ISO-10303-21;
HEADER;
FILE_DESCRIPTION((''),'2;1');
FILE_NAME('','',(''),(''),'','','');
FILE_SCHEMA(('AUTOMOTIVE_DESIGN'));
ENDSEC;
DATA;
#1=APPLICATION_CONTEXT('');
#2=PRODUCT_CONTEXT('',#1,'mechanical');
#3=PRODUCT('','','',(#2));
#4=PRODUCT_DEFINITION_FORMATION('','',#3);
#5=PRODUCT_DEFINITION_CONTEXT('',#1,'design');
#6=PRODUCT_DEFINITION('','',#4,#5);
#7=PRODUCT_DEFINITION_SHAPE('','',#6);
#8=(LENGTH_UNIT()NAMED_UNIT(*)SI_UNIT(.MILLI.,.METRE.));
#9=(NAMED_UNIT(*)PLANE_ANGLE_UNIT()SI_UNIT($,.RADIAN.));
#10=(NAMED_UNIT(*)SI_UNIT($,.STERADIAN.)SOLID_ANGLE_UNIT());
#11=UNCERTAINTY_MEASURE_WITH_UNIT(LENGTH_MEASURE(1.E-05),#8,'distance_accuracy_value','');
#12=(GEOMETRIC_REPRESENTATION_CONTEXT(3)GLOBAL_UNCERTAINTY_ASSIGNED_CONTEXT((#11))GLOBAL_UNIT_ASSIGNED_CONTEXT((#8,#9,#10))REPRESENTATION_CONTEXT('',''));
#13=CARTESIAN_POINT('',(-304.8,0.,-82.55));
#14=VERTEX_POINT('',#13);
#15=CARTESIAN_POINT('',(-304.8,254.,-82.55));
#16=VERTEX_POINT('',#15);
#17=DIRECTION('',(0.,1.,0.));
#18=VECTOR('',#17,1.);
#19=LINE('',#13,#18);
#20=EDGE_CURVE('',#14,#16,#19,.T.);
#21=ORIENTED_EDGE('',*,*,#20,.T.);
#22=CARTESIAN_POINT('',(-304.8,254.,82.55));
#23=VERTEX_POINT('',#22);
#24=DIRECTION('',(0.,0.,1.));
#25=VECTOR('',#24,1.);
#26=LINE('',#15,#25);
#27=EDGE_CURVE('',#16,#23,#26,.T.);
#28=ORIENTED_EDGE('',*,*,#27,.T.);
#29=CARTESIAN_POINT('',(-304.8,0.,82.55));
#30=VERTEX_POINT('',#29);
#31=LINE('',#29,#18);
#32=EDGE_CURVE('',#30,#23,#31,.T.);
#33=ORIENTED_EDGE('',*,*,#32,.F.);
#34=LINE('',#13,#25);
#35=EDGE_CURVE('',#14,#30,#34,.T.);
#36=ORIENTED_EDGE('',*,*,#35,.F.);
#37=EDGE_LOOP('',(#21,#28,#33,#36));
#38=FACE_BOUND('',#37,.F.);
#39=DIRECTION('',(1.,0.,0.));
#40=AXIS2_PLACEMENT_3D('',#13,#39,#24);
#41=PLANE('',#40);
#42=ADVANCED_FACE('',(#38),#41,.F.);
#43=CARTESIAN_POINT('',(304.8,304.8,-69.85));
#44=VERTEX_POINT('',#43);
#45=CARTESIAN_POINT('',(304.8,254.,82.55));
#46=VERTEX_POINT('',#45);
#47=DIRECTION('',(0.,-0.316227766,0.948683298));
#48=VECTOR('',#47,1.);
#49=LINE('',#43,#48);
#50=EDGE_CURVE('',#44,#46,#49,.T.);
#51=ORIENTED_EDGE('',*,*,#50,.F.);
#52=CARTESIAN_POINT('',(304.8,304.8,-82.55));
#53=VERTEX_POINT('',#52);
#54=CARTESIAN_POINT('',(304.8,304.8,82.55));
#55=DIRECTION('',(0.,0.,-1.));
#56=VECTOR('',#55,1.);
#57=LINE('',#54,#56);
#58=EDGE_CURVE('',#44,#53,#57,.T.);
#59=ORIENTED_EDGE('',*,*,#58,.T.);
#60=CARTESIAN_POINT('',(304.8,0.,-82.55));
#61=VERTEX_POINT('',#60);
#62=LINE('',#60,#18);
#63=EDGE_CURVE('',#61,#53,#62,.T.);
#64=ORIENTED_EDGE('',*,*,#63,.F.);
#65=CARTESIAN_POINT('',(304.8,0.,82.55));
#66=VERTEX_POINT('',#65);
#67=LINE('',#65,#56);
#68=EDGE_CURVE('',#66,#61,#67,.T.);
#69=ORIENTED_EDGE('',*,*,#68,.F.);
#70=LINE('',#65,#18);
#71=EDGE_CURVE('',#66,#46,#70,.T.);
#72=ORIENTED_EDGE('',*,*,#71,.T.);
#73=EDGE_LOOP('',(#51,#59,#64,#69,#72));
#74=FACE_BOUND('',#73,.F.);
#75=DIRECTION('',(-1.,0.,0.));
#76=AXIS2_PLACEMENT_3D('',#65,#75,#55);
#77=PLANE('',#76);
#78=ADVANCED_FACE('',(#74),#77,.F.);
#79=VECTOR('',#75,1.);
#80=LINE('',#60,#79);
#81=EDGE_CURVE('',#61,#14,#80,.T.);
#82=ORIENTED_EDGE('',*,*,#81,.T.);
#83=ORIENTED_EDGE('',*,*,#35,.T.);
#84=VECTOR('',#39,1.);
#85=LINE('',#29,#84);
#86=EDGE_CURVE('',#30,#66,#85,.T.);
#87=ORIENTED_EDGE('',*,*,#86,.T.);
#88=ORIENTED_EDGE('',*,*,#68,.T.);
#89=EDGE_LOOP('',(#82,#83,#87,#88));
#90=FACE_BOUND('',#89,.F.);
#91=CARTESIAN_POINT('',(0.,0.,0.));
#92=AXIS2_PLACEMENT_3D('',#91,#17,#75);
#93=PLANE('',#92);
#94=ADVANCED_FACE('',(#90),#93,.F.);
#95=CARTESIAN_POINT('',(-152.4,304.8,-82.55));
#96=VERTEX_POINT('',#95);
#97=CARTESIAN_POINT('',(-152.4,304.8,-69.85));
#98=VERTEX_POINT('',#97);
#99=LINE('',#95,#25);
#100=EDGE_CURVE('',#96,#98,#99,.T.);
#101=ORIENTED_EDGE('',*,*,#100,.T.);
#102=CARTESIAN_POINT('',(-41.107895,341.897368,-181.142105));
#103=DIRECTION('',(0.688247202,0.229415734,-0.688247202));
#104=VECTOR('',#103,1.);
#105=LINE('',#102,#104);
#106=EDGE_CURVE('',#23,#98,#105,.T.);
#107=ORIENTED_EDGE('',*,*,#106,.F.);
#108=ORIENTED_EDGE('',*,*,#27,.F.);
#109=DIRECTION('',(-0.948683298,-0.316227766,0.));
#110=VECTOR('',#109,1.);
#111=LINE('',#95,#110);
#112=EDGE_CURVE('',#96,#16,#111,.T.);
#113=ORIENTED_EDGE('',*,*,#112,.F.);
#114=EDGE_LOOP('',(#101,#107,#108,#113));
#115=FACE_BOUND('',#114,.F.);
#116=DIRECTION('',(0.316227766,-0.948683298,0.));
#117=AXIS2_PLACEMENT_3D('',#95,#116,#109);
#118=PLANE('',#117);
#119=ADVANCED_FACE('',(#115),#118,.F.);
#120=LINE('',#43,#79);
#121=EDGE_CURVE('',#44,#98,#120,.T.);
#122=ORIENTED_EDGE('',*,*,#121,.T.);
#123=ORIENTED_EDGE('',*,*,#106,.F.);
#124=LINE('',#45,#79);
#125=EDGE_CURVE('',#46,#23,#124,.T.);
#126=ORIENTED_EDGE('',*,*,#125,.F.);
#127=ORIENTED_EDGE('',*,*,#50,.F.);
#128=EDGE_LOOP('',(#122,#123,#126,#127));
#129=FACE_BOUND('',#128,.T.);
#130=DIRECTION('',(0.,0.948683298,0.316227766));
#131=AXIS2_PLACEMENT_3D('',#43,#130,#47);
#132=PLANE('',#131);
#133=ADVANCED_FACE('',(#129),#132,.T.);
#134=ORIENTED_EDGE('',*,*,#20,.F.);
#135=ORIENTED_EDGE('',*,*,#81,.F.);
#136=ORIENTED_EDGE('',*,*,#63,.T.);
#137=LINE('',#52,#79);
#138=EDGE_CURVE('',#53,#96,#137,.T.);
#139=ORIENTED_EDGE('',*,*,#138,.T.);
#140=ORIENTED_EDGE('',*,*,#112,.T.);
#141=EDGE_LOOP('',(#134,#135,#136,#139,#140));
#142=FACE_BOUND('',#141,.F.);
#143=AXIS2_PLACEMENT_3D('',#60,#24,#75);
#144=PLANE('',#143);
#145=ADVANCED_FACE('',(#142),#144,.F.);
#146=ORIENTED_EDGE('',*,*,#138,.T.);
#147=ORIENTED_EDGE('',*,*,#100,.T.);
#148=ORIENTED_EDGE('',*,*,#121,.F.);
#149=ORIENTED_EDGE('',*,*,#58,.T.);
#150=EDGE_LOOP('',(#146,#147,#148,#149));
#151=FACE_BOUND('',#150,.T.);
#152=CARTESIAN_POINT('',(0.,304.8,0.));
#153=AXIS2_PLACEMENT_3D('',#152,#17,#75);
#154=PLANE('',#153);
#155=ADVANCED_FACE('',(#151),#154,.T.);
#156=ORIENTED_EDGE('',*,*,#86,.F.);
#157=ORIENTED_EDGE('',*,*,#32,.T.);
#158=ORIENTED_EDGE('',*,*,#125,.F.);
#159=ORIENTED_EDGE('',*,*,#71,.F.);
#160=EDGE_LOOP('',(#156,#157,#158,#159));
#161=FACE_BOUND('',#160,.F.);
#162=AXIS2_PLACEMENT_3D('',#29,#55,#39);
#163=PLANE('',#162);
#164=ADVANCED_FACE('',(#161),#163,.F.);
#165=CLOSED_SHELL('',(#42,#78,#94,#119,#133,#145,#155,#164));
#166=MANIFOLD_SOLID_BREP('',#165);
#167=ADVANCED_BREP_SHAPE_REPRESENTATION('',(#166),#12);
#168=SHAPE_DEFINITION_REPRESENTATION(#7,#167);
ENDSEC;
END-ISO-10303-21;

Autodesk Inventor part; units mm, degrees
ref_plane "YZ Plane" through (0, 0, 0) normal (1, 0, 0) x (0, 1, 0)
ref_plane "XZ Plane" through (0, 0, 0) normal (0, 1, 0) x (-1, 0, 0)
ref_plane "XY Plane" through (0, 0, 0) normal (0, 0, 1) x (1, 0, 0)
sketch "Sketch1" plane through (0, 0, 0) normal (0, 1, 0) x (-1, 0, 0)
  line L0 (-304.8, -82.55) -> (304.8, -82.55)
  line L1 (304.8, -82.55) -> (304.8, 82.55)
  line L2 (304.8, 82.55) -> (-304.8, 82.55)
  line L3 (-304.8, 82.55) -> (-304.8, -82.55)
  line L4 (-304.8, -82.55) -> (304.8, 82.55) construction
  line L5 (304.8, -82.55) -> (-304.8, 82.55) construction
  point P0 (0, 0)
  dimension "d0" = 609.6
  dimension "d1" = 165.1
extrude "Extrusion1" add sketch "Sketch1" along normal blind 304.8
sketch "Sketch2" plane through (304.8, 0, 82.55) normal (1, 0, 0) x (0, 0, -1)
  line L0 (165.1, 304.8) -> (0, 304.8) projected
  line L1 (0, 0) -> (0, 304.8) projected
  line L2 (152.4, 304.8) -> (0, 254)
  line L3 (0, 304.8) -> (0, 254)
  line L4 (0, 304.8) -> (152.4, 304.8)
  point P0 (82.55, 0)
  dimension "d4" = 50.8
  dimension "d5" = 152.4
extrude "Extrusion2" cut sketch "Sketch2" against normal through all
sketch "Sketch3" plane through (304.8, 0, -82.55) normal (0, 0, -1) x (-1, 0, 0)
  line L0 (0, 304.8) -> (609.6, 304.8) projected
  line L1 (609.6, 0) -> (609.6, 304.8) projected
  line L2 (457.2, 304.8) -> (609.6, 254)
  line L3 (609.6, 304.8) -> (609.6, 254)
  line L4 (609.6, 304.8) -> (457.2, 304.8)
  point P0 (304.8, 0)
  dimension "d8" = 152.4
  dimension "d9" = 50.8
extrude "Extrusion3" cut sketch "Sketch3" against normal through all
properties part number "Straight_C21" material "Limestone"
